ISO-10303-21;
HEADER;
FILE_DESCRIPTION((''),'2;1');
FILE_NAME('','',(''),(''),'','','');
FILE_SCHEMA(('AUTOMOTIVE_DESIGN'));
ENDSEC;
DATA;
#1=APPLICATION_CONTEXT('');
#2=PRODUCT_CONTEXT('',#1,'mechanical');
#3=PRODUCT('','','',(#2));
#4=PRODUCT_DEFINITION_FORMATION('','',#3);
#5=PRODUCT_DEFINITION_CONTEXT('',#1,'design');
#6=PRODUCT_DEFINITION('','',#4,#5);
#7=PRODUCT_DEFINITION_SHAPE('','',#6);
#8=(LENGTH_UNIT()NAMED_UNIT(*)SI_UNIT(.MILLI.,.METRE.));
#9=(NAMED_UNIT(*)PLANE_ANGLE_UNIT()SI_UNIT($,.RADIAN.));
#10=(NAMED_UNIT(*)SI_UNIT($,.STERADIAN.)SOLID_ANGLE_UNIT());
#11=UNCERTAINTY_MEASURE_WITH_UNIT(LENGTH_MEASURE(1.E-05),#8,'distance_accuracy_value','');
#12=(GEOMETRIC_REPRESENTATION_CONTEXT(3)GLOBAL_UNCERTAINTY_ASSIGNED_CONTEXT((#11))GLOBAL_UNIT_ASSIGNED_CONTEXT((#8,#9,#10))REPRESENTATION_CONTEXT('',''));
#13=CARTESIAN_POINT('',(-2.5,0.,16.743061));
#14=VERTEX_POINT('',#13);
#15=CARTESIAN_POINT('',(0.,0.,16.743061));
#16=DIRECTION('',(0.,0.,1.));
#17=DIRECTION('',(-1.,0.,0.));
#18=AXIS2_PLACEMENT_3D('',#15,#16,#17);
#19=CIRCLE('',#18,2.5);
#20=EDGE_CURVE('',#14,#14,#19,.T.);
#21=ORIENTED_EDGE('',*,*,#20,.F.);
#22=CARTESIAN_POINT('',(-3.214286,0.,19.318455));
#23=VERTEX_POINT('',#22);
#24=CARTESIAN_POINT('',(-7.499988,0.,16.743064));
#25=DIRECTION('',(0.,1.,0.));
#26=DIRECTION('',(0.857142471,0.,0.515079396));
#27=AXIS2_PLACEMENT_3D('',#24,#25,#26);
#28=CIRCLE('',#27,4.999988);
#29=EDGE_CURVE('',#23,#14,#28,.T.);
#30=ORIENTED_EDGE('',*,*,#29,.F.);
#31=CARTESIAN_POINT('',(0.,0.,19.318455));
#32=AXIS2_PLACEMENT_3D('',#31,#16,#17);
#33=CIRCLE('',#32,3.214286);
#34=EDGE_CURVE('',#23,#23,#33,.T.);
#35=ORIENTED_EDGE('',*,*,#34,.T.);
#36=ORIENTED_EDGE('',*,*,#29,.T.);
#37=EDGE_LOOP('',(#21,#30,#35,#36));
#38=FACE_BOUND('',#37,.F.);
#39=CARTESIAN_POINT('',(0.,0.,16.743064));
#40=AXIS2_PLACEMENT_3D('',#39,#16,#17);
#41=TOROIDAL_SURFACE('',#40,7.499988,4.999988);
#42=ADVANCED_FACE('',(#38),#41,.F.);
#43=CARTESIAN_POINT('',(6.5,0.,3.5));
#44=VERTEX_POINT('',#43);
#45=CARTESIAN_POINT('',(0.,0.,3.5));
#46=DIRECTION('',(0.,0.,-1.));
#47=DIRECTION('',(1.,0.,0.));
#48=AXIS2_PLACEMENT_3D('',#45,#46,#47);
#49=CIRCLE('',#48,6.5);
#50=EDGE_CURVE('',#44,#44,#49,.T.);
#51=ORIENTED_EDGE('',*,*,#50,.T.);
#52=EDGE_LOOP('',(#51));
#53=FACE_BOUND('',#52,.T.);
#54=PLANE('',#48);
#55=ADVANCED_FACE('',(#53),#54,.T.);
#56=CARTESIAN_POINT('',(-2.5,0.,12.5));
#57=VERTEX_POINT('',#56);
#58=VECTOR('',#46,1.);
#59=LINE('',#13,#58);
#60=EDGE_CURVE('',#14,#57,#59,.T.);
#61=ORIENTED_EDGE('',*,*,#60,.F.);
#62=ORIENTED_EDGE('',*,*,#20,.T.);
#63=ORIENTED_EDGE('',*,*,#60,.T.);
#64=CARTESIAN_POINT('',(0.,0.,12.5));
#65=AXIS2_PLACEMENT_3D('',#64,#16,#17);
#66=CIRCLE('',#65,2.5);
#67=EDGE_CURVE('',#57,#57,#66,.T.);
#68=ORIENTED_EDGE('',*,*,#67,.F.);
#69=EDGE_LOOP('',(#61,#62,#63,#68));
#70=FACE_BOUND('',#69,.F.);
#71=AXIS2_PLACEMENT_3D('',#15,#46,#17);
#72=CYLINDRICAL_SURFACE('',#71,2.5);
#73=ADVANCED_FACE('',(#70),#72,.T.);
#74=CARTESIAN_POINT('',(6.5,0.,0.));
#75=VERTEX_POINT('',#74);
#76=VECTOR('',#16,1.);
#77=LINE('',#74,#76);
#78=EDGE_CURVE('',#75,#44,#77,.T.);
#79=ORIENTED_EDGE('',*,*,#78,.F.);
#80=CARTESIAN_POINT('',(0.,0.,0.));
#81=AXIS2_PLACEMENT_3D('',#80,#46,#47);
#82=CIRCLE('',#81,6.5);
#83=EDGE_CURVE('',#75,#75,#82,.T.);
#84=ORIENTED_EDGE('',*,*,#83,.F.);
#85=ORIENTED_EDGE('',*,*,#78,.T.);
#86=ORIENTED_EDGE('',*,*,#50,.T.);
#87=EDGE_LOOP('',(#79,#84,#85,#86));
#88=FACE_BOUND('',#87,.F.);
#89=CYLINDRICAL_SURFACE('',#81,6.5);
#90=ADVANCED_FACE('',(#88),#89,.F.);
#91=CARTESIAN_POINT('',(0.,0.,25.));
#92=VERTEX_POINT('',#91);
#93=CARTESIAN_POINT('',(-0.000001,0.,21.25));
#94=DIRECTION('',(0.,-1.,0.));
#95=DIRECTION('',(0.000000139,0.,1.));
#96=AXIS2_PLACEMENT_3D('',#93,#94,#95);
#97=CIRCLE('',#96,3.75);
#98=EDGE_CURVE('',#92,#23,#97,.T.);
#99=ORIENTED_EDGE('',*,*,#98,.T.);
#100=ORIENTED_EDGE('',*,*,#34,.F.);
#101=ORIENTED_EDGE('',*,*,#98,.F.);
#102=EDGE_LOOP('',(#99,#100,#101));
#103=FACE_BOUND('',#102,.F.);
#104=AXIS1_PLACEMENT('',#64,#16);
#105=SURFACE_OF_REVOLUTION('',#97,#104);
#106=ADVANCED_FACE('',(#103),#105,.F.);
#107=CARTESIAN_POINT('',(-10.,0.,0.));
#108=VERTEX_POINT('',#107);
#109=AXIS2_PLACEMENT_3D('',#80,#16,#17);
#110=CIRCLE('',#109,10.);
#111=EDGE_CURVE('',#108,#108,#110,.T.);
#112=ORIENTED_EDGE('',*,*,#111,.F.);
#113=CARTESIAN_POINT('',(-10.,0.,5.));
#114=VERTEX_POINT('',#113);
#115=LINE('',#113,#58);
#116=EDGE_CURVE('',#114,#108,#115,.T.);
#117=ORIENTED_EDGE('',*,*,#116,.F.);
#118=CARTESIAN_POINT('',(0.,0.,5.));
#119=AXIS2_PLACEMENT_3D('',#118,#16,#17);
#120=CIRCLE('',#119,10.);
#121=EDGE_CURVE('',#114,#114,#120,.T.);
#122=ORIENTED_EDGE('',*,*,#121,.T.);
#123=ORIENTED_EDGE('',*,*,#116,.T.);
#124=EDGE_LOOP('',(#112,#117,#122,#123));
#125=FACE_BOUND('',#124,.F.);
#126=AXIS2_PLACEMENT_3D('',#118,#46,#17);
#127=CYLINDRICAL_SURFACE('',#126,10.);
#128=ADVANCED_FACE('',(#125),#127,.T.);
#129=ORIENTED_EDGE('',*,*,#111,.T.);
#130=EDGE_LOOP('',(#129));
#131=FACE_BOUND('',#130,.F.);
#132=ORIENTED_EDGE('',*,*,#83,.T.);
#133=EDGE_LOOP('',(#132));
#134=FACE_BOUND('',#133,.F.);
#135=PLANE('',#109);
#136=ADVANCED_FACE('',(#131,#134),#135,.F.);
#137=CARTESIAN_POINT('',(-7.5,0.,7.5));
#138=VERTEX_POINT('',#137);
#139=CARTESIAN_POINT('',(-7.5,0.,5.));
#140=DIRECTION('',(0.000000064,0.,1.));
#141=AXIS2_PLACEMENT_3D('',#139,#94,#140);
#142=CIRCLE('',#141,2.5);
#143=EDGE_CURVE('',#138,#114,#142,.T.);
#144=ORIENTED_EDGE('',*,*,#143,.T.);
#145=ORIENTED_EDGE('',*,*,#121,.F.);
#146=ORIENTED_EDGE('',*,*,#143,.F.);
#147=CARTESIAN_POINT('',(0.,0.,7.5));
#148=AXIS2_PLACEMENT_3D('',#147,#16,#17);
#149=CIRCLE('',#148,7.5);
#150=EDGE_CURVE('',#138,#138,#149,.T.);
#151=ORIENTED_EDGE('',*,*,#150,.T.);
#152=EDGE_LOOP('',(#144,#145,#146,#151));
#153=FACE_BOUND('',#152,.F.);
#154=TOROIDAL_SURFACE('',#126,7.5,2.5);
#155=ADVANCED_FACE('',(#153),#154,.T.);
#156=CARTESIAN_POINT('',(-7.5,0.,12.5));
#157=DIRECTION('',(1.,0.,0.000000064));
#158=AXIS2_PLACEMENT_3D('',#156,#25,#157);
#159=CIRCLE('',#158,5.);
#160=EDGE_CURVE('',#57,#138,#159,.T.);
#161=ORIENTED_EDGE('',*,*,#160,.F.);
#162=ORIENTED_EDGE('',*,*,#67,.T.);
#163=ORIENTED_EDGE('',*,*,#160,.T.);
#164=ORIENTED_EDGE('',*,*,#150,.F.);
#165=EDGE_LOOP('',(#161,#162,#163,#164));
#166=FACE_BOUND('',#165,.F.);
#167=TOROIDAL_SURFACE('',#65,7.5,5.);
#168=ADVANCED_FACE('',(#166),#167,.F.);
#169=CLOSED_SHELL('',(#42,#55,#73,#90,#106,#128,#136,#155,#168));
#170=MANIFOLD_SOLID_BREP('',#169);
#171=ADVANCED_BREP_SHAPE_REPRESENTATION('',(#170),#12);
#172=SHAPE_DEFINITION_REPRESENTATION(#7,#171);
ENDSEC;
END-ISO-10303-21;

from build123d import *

# Parameters (mm, degrees)
F2_R     = 6.5
F3_DEPTH = 3.5


with BuildPart() as f1:
    # F0 (on Front) → F1 (revolve)
    with BuildSketch(Plane.XZ):
        with BuildLine():
            Line((-10, 0), (0, 0))
            Line((0, 0), (0, 25))
            ThreePointArc((0, 25), (-3.263878, 23.096511), (-3.214286, 19.318455))
            ThreePointArc((-3.214286, 19.318455), (-2.681879, 18.079367), (-2.5, 16.743061))
            Line((-2.5, 16.743061), (-2.5, 12.5))
            ThreePointArc((-2.5, 12.5), (-3.964466, 8.964466), (-7.5, 7.5))
            ThreePointArc((-7.5, 7.5), (-9.267767, 6.767767), (-10, 5))
            Line((-10, 5), (-10, 0))
        make_face()
    revolve(axis=Axis((0, 0, 12.5), (0, 0, 1)))

    # F2 (on face) → F3 (cut)
    with BuildSketch(Plane(origin=(0, 0, 0), x_dir=(1, 0, 0), z_dir=(0, 0, -1))):
        Circle(F2_R)
    extrude(amount=-F3_DEPTH, mode=Mode.SUBTRACT)


solid = f1.part
